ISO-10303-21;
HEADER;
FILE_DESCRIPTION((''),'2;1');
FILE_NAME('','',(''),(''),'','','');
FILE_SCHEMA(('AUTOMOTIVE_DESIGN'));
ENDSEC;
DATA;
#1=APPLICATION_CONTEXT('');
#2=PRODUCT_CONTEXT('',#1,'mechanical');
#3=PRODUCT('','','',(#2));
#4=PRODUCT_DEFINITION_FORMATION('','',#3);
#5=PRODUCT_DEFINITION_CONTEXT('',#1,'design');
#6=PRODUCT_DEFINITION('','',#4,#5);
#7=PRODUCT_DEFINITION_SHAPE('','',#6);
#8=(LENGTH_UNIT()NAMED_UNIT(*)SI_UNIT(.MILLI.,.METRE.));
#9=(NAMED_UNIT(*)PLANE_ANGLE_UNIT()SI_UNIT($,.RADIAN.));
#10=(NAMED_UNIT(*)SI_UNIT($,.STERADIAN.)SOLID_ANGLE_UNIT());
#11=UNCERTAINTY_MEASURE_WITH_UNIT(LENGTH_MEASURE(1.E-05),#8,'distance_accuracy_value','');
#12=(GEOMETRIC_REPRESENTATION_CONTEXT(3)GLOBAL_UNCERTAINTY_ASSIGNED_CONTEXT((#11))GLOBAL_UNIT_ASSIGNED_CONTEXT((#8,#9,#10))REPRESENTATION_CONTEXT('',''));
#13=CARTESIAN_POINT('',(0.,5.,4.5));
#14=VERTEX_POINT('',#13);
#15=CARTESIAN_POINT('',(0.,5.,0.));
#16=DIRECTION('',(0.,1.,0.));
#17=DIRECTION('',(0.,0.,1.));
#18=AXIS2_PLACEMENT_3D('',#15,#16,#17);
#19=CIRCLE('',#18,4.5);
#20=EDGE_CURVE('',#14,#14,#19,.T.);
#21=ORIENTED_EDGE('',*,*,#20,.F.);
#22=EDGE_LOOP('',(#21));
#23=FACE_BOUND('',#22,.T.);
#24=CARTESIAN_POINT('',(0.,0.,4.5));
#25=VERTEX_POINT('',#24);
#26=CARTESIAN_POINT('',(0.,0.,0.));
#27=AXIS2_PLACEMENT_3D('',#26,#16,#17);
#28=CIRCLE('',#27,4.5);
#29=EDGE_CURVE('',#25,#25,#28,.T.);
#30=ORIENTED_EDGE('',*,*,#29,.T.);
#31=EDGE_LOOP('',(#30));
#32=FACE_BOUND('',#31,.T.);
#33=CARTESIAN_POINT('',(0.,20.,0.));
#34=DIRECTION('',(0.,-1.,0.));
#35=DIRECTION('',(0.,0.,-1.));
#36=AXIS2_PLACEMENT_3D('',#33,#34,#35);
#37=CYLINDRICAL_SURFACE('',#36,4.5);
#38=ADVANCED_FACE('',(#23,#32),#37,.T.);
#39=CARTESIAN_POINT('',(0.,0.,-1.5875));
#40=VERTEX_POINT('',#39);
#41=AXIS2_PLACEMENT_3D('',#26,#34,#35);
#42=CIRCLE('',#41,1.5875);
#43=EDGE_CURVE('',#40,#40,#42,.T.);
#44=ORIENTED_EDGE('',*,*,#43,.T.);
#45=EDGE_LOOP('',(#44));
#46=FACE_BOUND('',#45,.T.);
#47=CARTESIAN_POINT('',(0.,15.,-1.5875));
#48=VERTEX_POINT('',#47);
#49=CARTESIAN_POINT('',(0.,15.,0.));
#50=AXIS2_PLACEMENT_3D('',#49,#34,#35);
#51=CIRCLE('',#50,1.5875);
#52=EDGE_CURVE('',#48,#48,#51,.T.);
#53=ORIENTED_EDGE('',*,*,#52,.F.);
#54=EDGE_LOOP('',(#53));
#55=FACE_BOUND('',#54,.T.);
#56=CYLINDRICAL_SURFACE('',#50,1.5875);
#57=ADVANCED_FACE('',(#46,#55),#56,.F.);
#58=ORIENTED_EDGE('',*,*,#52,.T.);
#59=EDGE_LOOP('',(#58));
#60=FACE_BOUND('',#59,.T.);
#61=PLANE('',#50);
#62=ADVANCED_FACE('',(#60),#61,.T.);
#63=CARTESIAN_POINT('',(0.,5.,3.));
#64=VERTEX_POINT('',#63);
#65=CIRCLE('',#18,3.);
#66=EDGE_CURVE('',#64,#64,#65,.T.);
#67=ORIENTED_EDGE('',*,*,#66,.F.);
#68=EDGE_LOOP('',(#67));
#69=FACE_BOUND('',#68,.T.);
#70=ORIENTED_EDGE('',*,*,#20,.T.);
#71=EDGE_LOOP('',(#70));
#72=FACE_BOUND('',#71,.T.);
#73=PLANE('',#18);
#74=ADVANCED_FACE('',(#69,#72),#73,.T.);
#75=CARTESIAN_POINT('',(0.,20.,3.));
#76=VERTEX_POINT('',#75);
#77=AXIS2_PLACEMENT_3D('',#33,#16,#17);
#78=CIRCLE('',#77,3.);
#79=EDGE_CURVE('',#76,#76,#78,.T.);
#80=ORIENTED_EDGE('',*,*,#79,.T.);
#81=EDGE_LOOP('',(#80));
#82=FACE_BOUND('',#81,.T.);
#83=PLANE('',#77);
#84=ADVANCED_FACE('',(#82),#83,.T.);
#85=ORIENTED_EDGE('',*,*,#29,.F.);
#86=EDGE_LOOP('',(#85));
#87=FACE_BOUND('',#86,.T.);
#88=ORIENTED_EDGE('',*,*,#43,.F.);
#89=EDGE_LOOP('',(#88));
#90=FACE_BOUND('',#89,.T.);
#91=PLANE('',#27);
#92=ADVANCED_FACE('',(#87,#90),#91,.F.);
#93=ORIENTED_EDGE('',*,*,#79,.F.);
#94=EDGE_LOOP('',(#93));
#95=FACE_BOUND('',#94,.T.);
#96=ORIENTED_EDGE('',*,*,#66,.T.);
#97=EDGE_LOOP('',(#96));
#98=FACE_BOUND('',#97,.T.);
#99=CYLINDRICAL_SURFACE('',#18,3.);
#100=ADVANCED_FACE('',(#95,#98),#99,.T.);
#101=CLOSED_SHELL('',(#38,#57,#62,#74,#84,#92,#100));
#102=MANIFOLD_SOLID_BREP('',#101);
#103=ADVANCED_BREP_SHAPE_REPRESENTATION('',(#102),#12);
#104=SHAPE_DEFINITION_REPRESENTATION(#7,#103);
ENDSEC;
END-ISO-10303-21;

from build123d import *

# Parameters (mm, degrees)
SKETCH_1_R          = 4.5
EXTRUDE_1_DEPTH     = 20
CUT_EXTRUDE_START   = -15
SKETCH_2_R          = 4.5
SKETCH_2_R_2        = 3
CUT_EXTRUDE_1_DEPTH = 15
SKETCH_3_R          = 1.5875
CUT_EXTRUDE_2_DEPTH = 15


with BuildPart() as part:
    # Эскиз1 → Бобышка-Вытянуть1 (new body)
    with BuildSketch(Plane(origin=(0, 0, 0), x_dir=(1, 0, 0), z_dir=(0, 1, 0))):
        with Locations(Location((0, 0, 0), (0, 0, 270))):
            Circle(SKETCH_1_R)
    extrude(amount=EXTRUDE_1_DEPTH)

    # Эскиз2 → Вырез-Вытянуть1 (cut)
    with BuildSketch(Plane(origin=(0, 20, 0), x_dir=(1, 0, 0), z_dir=(0, 1, 0)).offset(CUT_EXTRUDE_START)):
        with Locations(Location((0, 0, 0), (0, 0, 270))):
            Circle(SKETCH_2_R)
        with Locations(Location((0, 0, 0), (0, 0, 270))):
            Circle(SKETCH_2_R_2, mode=Mode.SUBTRACT)
    extrude(amount=CUT_EXTRUDE_1_DEPTH, mode=Mode.SUBTRACT)

    # Эскиз3 → Вырез-Вытянуть2 (cut)
    with BuildSketch(Plane.XZ):
        with Locations(Location((0, 0, 0), (0, 0, 270))):
            Circle(SKETCH_3_R)
    extrude(amount=-CUT_EXTRUDE_2_DEPTH, mode=Mode.SUBTRACT)


solid = part.part
